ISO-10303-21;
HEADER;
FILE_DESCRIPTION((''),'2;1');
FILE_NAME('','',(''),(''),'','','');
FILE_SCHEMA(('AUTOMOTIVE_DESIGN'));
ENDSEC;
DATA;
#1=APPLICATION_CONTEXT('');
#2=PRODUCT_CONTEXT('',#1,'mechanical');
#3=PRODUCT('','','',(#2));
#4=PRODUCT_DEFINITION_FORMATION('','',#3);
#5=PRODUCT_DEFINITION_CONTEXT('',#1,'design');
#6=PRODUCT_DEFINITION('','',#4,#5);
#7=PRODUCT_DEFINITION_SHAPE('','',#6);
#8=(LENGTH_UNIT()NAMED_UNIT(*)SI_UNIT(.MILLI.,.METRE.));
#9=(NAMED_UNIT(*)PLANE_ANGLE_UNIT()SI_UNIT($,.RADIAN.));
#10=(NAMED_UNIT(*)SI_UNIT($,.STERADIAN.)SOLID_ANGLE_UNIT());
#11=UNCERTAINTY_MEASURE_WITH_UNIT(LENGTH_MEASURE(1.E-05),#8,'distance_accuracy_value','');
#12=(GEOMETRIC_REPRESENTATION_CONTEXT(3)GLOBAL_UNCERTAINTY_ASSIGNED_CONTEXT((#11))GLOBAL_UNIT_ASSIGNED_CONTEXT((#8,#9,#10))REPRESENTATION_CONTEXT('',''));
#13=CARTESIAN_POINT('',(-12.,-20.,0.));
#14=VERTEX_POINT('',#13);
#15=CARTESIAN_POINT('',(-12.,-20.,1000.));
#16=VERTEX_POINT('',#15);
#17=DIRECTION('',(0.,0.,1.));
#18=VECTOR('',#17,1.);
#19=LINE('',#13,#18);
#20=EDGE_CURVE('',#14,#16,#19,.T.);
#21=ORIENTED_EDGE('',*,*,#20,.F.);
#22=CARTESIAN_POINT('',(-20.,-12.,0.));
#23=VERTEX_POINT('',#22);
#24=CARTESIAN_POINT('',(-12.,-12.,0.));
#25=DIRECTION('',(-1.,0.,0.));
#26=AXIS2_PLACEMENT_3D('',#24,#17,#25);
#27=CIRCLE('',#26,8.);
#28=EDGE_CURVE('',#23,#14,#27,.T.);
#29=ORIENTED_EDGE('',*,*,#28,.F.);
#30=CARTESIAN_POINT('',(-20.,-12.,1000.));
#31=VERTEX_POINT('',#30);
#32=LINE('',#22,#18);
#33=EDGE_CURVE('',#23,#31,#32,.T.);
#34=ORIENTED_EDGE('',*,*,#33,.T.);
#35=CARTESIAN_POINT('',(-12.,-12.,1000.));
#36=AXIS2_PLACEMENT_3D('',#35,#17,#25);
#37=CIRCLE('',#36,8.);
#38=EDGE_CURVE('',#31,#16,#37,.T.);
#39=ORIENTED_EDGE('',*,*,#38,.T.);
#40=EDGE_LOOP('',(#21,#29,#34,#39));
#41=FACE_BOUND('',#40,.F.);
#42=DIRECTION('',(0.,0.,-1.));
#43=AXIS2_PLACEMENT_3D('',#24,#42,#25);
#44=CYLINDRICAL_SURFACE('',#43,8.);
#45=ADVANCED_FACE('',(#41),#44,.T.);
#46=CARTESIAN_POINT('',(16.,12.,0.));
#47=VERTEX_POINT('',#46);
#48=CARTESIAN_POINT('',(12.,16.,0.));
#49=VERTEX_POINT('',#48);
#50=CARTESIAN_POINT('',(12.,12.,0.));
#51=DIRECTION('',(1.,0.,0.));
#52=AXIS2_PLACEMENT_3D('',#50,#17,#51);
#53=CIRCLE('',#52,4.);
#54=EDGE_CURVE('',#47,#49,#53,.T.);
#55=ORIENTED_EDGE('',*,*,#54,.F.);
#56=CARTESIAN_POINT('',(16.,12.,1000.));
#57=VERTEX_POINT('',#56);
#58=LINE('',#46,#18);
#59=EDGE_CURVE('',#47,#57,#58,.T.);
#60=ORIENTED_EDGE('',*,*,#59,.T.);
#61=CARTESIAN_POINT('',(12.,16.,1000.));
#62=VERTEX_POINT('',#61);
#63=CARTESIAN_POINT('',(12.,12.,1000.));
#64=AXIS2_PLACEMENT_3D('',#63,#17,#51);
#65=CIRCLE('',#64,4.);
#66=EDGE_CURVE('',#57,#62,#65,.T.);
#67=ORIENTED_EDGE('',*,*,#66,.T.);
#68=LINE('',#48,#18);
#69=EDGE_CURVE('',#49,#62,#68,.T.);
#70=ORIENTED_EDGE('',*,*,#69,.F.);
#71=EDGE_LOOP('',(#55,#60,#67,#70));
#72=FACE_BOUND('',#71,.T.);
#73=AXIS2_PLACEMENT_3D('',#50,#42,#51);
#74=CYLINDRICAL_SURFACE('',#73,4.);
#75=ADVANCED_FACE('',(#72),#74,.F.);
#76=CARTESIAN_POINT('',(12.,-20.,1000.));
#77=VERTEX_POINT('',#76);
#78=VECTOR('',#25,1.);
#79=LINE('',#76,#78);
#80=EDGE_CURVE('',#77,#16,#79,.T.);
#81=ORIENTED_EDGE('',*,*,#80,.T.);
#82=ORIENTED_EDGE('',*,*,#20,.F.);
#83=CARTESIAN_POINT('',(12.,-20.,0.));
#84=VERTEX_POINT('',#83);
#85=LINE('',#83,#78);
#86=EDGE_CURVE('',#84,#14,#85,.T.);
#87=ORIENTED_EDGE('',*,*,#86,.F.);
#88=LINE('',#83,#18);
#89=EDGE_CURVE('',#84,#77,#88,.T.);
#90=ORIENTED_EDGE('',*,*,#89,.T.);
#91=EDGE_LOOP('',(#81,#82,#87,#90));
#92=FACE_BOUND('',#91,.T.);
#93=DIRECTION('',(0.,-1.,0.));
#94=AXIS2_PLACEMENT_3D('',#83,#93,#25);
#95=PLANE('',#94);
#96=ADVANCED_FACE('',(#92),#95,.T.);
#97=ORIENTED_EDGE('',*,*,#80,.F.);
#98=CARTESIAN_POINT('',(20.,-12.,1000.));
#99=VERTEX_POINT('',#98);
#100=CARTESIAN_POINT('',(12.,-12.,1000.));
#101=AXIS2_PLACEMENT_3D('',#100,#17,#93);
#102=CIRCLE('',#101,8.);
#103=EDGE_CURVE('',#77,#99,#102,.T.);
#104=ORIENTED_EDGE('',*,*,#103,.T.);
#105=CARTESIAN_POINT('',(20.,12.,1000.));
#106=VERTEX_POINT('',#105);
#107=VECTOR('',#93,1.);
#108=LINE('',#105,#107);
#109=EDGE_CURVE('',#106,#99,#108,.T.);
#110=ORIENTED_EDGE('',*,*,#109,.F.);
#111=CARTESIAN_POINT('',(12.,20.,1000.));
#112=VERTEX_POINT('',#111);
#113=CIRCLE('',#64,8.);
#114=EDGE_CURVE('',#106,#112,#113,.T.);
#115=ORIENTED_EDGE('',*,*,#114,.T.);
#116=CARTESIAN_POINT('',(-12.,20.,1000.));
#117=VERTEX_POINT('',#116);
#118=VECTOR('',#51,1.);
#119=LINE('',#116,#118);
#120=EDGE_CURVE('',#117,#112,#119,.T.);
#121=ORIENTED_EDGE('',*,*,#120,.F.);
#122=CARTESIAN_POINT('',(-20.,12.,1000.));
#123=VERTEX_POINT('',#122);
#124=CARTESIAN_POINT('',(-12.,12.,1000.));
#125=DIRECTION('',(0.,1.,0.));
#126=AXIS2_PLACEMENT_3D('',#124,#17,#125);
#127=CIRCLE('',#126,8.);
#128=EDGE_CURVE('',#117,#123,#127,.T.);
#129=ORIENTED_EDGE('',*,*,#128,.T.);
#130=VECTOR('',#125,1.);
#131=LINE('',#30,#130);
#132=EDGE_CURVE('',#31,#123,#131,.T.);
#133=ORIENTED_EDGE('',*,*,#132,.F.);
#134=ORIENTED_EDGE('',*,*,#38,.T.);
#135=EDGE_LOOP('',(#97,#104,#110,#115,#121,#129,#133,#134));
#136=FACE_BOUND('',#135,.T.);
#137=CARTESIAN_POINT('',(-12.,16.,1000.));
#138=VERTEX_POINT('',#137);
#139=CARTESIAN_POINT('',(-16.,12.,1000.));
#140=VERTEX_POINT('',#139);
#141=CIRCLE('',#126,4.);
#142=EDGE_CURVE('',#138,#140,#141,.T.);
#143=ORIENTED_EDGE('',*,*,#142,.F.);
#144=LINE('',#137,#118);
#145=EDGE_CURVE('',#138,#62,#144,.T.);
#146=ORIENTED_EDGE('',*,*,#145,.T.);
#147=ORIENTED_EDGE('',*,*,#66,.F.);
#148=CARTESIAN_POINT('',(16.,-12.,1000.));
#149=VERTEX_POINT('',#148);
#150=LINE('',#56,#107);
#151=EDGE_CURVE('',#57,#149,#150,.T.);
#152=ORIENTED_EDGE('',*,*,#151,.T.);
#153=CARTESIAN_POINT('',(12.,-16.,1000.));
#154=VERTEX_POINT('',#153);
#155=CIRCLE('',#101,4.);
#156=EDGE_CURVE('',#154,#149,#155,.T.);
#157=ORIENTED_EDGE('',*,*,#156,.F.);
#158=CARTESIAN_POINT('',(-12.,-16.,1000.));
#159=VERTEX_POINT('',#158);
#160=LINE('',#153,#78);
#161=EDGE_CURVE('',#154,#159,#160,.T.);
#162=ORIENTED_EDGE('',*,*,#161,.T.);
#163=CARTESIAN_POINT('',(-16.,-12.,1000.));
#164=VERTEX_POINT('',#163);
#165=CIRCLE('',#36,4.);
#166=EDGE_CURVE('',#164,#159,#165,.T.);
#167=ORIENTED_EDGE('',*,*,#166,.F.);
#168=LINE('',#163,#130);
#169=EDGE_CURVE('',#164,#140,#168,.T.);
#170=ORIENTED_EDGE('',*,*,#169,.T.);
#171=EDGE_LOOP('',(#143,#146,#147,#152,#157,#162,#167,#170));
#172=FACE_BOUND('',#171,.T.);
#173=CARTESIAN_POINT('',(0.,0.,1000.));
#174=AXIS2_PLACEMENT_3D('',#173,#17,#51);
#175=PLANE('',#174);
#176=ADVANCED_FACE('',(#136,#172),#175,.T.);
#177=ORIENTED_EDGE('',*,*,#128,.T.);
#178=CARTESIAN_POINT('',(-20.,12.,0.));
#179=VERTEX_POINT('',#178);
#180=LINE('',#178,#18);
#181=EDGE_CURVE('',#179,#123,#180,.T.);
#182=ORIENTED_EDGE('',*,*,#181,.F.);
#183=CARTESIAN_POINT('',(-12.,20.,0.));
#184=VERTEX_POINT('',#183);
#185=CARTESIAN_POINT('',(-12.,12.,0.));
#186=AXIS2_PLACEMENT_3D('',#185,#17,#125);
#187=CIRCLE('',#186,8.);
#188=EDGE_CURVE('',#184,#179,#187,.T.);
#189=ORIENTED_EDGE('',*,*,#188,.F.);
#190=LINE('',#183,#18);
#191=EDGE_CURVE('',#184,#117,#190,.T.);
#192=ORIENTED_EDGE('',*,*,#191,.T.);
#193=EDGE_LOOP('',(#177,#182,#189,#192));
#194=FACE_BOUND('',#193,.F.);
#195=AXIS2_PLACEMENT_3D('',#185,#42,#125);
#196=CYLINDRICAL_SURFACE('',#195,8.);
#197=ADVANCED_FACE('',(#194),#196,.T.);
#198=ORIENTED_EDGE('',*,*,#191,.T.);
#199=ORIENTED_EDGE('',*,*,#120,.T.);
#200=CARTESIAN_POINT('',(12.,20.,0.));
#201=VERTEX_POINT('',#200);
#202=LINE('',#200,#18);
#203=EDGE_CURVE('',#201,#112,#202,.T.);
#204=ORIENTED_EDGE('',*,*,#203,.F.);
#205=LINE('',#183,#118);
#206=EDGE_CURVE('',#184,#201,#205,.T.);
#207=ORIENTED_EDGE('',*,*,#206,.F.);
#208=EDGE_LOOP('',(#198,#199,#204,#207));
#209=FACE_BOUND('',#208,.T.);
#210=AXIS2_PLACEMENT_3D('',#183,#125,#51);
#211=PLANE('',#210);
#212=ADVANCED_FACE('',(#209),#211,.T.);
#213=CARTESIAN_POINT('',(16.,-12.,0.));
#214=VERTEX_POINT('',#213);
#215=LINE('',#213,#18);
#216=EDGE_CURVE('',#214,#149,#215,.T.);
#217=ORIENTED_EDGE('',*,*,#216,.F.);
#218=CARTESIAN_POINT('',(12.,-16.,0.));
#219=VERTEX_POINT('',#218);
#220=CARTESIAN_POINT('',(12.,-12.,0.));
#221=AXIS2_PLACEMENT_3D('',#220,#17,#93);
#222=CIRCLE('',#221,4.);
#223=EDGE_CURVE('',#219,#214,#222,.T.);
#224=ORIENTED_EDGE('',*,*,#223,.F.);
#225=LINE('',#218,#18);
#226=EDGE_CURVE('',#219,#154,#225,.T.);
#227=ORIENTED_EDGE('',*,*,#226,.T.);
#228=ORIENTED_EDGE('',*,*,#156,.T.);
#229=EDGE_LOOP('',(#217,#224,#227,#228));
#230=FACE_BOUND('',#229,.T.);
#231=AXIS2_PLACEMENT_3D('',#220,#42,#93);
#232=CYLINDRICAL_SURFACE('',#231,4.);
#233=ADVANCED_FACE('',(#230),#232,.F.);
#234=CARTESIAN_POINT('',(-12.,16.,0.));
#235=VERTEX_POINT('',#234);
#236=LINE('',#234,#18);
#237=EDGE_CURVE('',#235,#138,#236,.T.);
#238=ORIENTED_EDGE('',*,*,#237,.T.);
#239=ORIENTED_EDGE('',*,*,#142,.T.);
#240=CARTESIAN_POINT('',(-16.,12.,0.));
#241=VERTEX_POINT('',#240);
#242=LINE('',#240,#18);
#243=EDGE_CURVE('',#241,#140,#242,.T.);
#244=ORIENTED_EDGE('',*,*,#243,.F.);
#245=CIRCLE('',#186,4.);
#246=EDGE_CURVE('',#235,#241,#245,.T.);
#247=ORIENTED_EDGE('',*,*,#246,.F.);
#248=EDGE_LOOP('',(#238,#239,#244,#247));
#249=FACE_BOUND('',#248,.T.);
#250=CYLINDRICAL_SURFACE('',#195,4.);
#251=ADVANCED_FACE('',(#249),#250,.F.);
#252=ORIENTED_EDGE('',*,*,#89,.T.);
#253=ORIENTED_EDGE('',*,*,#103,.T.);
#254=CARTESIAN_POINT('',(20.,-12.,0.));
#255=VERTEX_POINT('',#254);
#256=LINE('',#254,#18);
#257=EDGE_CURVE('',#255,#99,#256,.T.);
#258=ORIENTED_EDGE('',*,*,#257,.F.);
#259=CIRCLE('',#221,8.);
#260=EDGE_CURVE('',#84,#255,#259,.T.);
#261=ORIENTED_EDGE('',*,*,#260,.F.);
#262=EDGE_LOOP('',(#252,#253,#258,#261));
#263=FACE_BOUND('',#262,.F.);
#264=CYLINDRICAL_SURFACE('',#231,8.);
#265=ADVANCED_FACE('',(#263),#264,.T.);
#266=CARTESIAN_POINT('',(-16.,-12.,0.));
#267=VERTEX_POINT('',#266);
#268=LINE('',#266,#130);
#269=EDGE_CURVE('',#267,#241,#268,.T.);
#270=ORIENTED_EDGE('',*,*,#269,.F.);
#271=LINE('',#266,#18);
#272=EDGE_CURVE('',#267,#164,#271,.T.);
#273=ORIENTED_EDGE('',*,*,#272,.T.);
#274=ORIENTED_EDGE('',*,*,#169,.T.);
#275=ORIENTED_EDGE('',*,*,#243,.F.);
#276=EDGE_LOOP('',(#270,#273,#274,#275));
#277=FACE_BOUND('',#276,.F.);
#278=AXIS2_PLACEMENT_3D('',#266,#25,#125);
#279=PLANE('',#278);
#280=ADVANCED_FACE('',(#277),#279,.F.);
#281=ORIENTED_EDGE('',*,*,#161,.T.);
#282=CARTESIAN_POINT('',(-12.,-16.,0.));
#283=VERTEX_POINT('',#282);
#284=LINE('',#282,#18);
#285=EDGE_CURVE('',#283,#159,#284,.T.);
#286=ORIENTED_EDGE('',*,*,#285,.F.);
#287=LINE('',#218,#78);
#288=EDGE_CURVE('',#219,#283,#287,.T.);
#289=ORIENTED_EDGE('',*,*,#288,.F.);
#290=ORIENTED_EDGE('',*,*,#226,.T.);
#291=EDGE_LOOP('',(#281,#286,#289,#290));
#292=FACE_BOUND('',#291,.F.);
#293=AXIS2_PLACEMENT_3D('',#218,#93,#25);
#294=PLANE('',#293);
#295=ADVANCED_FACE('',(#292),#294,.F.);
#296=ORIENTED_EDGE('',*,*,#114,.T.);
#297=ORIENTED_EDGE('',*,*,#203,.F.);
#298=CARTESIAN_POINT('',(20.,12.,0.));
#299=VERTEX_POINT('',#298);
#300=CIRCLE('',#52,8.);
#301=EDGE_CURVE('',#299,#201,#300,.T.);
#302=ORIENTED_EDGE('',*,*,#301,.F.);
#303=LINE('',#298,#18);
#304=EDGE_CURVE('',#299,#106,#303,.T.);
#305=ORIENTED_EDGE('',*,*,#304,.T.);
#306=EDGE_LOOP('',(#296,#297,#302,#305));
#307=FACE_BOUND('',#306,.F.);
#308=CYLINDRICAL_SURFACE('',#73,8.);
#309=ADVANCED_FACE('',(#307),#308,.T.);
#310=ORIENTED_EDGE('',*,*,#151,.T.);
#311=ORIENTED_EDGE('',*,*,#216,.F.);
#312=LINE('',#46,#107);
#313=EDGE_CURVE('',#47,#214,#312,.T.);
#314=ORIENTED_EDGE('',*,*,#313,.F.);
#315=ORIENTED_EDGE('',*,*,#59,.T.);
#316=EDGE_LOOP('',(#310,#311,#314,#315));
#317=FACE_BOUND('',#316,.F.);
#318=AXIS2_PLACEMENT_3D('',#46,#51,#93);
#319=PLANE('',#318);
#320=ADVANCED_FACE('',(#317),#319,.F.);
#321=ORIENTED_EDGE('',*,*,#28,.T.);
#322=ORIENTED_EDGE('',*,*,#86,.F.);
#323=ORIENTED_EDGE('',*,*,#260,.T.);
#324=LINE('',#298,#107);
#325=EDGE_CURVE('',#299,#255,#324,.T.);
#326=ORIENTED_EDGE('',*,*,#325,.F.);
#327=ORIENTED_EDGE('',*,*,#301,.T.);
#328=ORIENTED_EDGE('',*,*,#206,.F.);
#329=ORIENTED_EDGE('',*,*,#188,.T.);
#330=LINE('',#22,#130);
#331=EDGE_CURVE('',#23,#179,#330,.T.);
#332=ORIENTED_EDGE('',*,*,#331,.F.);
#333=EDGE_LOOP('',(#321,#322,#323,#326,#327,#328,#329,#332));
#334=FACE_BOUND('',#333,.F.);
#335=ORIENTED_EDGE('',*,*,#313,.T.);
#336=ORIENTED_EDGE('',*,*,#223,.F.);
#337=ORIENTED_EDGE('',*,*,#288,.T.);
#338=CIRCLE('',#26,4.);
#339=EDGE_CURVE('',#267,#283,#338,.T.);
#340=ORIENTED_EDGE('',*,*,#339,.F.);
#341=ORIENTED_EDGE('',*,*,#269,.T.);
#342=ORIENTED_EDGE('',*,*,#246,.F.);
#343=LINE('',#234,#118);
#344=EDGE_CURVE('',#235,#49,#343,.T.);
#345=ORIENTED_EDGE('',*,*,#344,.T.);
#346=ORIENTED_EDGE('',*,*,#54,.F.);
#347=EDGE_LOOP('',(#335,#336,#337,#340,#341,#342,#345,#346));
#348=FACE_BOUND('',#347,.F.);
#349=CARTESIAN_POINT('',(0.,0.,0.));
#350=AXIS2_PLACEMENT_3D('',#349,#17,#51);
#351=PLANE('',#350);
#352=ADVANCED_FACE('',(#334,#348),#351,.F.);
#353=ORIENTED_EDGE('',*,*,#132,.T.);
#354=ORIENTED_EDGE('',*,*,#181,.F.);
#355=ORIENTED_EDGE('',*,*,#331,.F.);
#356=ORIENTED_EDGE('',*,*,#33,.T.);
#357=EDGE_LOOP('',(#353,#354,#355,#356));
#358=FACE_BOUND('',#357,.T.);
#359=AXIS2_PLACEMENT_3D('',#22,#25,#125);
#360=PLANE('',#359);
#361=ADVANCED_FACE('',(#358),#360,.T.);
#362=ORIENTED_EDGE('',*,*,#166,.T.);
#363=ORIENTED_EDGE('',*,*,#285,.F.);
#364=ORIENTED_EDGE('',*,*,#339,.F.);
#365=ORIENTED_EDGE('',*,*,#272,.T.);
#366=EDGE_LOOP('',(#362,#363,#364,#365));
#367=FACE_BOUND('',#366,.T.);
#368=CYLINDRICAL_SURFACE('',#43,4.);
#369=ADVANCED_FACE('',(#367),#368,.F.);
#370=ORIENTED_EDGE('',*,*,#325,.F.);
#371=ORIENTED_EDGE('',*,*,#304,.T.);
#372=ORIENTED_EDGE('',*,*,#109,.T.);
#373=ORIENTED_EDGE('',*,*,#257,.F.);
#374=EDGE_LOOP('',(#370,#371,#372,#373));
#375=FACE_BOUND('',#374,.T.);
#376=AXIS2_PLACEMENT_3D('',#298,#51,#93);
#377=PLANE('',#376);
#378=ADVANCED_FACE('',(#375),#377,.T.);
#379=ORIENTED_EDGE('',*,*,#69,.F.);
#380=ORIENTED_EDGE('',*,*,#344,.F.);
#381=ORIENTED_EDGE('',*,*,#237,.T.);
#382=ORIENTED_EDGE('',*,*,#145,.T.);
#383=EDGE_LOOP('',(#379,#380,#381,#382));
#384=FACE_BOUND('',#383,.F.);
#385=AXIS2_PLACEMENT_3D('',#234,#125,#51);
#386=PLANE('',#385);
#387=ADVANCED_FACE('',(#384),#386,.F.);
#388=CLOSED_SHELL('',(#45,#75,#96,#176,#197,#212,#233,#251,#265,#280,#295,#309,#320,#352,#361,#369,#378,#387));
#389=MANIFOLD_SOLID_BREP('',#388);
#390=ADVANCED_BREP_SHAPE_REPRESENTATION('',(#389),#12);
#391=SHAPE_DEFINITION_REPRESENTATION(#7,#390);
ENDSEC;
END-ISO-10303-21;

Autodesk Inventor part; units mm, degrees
ref_plane "YZ Plane" through (0, 0, 0) normal (1, 0, 0) x (0, 1, 0)
ref_plane "Start plane" through (0, 0, 0) normal (0, 0, 1) x (1, 0, 0)
ref_plane "End plane" through (0, 0, 1000) normal (0, 0, 1) x (1, 0, 0)
sketch "Sketch" plane through (0, 0, 0) normal (0, 0, 1) x (1, 0, 0)
  line L0 (-20, -12) -> (-20, 12)
  line L1 (-12, 20) -> (12, 20)
  line L2 (20, 12) -> (20, -12)
  line L3 (12, -20) -> (-12, -20)
  arc A0 (-20, -12) -> (-12, -20) centre (-12, -12) ccw
  arc A1 (-12, 20) -> (-20, 12) centre (-12, 12) ccw
  arc A2 (20, 12) -> (12, 20) centre (12, 12) ccw
  arc A3 (12, -20) -> (20, -12) centre (12, -12) ccw
  arc A4 (-12, 16) -> (-16, 12) centre (-12, 12) ccw
  line L4 (-12, 16) -> (12, 16)
  arc A5 (16, 12) -> (12, 16) centre (12, 12) ccw
  line L5 (16, 12) -> (16, -12)
  arc A6 (12, -16) -> (16, -12) centre (12, -12) ccw
  line L6 (12, -16) -> (-12, -16)
  arc A7 (-16, -12) -> (-12, -16) centre (-12, -12) ccw
  line L7 (-16, -12) -> (-16, 12)
  line L8 (0, 30.3196) -> (0, -30.3196) construction
  line L9 (-30.3196, 0) -> (30.3196, 0) construction
  dimension "d7" = 8
  dimension "d10" = 40
  dimension "d11" = 40
  dimension "d12" = 4
  dimension "d15" = 20
  dimension "d16" = 20
extrude "Body" add sketch "Sketch" along normal up to surface (1000 mm away) from surface at 0
sketch "Sketch3" plane through (0, 0, 0) normal (0, 0, 1) x (1, 0, 0)
  line L0 (0, 0) -> (10, 0)
ref_plane "Work Plane3" through (0, 0, 0) normal (0, -1, 0) x (1, 0, 0)
sketch "Sketch4" plane through (0, 0, 0) normal (0, -1, 0) x (1, 0, 0)
  line L0 (-2, 0) -> (12, 0)
  line L1 (-2, 1000) -> (12, 1000)
  dimension "d18" = 1000
equation "\"d7\" = G_IR"
equation "\"d10\" = G_H"
equation "\"d11\" = G_W"
equation "\"d12\" = G_T"
equation "\"d15\" = 0.5 * d10"
equation "\"d16\" = 0.5 * d11"
equation "\"d3\" = G_L"
equation "\"G_W\" = 40"
equation "\"G_H\" = 40"
equation "\"G_T\" = 4"
equation "\"G_IR\" = 8"
equation "\"G_L\" = d18"
equation "\"G_OFFSET_START\" = 0"
equation "\"G_OFFSET_END\" = 0"
properties part number "DIN EN 10219-2 - 40 x 40 x 4  - 1000" material "Steel, Mild"
